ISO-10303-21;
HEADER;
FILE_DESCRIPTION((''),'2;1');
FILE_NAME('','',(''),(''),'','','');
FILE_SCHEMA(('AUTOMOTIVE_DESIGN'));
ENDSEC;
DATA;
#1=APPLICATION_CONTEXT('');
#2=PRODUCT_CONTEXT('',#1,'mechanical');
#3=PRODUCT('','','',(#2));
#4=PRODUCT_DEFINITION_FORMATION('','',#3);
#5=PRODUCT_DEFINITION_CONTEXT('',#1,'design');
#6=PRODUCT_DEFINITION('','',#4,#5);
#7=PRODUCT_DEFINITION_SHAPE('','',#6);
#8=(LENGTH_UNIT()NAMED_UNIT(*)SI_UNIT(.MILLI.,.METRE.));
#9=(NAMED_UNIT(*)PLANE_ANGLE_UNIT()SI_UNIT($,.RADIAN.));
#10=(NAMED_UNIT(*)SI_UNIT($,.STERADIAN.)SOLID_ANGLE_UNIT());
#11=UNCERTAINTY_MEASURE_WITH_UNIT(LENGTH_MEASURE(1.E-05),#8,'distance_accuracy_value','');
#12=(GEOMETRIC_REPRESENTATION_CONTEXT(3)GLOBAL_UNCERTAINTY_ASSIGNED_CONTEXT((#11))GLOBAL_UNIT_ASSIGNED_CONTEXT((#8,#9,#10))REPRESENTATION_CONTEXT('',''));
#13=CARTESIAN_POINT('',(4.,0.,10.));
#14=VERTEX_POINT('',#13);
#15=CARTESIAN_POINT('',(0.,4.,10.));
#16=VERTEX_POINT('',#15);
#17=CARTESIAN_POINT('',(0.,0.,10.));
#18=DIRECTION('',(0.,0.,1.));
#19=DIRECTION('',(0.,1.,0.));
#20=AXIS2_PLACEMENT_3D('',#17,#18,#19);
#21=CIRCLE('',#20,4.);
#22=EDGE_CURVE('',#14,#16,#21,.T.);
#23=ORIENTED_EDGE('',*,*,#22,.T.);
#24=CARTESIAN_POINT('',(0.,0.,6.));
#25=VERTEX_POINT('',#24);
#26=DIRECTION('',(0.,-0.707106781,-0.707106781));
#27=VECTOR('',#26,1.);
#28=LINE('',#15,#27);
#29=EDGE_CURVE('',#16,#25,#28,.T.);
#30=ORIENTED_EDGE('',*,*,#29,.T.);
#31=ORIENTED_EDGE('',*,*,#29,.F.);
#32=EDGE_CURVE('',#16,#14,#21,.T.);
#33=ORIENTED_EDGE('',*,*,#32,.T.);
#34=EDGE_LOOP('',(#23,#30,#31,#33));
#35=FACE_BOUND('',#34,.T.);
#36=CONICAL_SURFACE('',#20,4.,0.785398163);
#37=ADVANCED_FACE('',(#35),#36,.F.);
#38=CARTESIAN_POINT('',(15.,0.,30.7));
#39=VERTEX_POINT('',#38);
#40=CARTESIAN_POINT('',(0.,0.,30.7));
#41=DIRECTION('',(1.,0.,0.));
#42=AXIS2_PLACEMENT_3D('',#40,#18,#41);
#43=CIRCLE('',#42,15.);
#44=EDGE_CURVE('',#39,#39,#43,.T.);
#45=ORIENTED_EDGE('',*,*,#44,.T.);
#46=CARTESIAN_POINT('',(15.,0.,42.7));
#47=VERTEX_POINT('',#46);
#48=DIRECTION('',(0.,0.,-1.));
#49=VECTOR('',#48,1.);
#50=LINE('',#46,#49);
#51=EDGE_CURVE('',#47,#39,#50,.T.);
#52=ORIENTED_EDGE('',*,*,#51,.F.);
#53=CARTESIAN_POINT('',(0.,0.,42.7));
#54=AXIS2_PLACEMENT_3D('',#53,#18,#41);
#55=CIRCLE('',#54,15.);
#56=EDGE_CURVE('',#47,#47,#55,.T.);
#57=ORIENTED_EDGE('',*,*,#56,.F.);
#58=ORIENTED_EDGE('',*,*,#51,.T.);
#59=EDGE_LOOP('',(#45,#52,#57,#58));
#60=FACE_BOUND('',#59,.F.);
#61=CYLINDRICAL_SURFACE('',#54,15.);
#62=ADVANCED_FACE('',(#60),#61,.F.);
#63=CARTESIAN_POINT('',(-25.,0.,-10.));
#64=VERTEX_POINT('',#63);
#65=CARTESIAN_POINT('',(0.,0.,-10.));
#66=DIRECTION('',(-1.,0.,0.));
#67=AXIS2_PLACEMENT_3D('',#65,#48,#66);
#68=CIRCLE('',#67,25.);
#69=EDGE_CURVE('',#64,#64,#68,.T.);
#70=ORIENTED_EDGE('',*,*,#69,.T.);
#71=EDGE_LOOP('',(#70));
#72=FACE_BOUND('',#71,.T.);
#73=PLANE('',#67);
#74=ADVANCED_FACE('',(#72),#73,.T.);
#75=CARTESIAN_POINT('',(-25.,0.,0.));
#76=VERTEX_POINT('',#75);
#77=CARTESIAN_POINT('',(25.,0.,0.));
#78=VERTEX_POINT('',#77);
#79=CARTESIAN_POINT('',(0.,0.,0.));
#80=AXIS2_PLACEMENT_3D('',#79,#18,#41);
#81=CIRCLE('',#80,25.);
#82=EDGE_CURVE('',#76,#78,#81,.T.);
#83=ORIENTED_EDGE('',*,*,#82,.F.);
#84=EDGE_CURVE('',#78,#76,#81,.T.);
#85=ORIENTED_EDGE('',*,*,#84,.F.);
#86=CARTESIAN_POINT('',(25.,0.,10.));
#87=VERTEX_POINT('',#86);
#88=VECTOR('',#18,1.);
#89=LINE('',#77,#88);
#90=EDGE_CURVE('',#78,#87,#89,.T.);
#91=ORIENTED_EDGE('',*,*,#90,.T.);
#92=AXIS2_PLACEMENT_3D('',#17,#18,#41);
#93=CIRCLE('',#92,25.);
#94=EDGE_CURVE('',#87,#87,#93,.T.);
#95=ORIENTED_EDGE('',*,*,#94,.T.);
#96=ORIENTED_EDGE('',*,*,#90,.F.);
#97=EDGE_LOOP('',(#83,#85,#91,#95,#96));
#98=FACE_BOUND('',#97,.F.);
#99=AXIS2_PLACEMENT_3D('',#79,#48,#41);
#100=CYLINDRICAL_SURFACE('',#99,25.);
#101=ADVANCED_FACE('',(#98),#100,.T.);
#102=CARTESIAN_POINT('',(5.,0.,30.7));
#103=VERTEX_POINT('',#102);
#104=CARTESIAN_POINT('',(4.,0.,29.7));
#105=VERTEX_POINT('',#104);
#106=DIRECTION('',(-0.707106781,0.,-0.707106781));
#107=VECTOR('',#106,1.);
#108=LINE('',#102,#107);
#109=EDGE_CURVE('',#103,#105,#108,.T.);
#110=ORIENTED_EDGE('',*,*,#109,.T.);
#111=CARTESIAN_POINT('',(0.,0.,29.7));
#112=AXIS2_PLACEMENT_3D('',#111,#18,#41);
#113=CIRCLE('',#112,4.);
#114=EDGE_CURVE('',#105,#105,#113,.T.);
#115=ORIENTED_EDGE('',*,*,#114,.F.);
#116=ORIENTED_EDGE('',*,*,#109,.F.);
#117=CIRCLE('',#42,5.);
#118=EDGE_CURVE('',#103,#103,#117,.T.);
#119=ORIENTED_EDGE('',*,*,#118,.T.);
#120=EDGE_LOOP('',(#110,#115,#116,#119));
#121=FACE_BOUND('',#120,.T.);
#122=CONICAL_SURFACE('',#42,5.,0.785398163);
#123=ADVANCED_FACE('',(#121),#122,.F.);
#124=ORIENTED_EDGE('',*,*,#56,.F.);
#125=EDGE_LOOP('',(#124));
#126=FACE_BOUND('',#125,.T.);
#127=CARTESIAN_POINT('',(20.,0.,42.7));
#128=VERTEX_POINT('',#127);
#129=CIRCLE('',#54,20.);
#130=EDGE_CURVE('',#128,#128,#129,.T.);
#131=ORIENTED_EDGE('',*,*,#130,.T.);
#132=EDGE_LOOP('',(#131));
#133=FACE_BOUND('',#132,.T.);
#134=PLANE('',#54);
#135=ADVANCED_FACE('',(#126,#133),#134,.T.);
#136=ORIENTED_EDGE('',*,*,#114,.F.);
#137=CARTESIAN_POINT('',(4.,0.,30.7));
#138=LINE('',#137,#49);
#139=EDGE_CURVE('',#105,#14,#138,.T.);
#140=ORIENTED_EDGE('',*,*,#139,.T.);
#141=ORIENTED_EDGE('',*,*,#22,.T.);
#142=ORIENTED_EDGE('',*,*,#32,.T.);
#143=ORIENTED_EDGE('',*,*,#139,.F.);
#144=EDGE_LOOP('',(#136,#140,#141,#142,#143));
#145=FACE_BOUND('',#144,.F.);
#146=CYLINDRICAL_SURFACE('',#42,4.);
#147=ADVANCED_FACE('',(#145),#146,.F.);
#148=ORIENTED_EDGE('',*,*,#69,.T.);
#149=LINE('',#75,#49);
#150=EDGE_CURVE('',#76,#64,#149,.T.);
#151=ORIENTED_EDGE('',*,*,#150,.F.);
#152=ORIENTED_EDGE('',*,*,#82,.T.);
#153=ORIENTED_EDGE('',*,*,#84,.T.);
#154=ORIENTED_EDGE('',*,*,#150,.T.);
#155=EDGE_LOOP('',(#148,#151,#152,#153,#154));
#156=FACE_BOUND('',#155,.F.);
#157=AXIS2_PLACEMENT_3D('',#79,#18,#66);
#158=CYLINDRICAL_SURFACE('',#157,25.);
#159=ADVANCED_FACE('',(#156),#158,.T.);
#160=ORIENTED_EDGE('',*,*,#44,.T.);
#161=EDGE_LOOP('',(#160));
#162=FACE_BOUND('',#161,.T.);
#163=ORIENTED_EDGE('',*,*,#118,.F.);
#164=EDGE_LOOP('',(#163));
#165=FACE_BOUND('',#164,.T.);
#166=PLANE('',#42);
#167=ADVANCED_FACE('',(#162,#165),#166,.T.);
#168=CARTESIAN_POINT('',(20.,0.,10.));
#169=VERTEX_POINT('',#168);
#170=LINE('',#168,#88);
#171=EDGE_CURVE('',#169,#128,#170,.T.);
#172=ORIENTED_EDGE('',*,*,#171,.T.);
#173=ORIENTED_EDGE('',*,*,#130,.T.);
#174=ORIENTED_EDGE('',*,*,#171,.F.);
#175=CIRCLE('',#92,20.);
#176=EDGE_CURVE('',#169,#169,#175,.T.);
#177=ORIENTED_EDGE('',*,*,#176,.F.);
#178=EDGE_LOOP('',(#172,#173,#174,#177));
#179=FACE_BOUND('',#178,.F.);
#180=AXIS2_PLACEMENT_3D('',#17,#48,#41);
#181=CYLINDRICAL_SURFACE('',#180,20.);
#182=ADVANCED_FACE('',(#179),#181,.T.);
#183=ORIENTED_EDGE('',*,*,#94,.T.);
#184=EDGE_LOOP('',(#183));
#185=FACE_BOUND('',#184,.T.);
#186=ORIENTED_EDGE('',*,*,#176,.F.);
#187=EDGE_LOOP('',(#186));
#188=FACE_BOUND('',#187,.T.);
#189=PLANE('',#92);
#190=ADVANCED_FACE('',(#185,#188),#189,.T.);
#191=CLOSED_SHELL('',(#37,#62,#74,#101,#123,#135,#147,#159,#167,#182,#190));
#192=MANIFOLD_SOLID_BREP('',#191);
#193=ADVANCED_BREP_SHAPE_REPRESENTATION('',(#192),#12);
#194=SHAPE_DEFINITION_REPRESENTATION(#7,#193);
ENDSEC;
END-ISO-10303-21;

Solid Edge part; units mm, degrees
sketch "Sketch1" plane through (0, 0, 0) normal (0, 0, 1) x (1, 0, 0)
  circle A0 centre (0, 0) radius 25
extrude "Protrusion1" add sketch "Sketch1" along normal blind 10
sketch "Sketch2" plane through (0, 0, 0) normal (1, 0, 0) x (0, 1, 0)
  line L0 (0, 10) -> (4, 10)
  line L1 (4, 10) -> (0, 6)
  line L2 (0, 10) -> (0, 6)
revolve "RevolvedCutout1" cut sketch "Sketch2" angle 360 about axis through (0, 0, 0) along (0, 0, 1)
sketch "Sketch3" plane through (0, 0, 10) normal (0, 0, 1) x (1, 0, 0)
  circle A0 centre (0, 0) radius 20
extrude "Protrusion2" add sketch "Sketch3" along normal blind 32.7
sketch "Sketch4" plane through (0, 0, 42.7) normal (0, 0, 1) x (1, 0, 0)
  circle A0 centre (0, 0) radius 15
extrude "ExtrudedCutout_2" cut sketch "Sketch4" against normal blind 12
sketch "Sketch5" plane through (0, 0, 30.7) normal (0, 0, 1) x (1, 0, 0)
  circle A0 centre (0, 0) radius 4
extrude "ExtrudedCutout_3" cut sketch "Sketch5" against normal blind 20.7
cosmetic_thread "Thread1" size "Tr 8 x 2"
sketch "Sketch6" plane through (0, 0, 0) normal (0, 1, 0) x (-1, 0, 0)
  line L0 (-5, 30.7) -> (-4, 29.7)
  line L1 (-4, 29.7) -> (-4, 30.7)
  line L2 (-4, 30.7) -> (-5, 30.7)
revolve "RevolvedCutout2" cut sketch "Sketch6" angle 360 about axis through (0, 0, 0) along (0, 0, 1)
sketch "Sketch7" plane through (0, 0, 0) normal (0, 0, -1) x (-1, 0, 0)
  circle A0 centre (0, 0) radius 25
extrude "ExtrudedProtrusion_4" add sketch "Sketch7" along normal blind 10
properties material "Steel - Stainless:1.4301 , X5CrNi18-10"
